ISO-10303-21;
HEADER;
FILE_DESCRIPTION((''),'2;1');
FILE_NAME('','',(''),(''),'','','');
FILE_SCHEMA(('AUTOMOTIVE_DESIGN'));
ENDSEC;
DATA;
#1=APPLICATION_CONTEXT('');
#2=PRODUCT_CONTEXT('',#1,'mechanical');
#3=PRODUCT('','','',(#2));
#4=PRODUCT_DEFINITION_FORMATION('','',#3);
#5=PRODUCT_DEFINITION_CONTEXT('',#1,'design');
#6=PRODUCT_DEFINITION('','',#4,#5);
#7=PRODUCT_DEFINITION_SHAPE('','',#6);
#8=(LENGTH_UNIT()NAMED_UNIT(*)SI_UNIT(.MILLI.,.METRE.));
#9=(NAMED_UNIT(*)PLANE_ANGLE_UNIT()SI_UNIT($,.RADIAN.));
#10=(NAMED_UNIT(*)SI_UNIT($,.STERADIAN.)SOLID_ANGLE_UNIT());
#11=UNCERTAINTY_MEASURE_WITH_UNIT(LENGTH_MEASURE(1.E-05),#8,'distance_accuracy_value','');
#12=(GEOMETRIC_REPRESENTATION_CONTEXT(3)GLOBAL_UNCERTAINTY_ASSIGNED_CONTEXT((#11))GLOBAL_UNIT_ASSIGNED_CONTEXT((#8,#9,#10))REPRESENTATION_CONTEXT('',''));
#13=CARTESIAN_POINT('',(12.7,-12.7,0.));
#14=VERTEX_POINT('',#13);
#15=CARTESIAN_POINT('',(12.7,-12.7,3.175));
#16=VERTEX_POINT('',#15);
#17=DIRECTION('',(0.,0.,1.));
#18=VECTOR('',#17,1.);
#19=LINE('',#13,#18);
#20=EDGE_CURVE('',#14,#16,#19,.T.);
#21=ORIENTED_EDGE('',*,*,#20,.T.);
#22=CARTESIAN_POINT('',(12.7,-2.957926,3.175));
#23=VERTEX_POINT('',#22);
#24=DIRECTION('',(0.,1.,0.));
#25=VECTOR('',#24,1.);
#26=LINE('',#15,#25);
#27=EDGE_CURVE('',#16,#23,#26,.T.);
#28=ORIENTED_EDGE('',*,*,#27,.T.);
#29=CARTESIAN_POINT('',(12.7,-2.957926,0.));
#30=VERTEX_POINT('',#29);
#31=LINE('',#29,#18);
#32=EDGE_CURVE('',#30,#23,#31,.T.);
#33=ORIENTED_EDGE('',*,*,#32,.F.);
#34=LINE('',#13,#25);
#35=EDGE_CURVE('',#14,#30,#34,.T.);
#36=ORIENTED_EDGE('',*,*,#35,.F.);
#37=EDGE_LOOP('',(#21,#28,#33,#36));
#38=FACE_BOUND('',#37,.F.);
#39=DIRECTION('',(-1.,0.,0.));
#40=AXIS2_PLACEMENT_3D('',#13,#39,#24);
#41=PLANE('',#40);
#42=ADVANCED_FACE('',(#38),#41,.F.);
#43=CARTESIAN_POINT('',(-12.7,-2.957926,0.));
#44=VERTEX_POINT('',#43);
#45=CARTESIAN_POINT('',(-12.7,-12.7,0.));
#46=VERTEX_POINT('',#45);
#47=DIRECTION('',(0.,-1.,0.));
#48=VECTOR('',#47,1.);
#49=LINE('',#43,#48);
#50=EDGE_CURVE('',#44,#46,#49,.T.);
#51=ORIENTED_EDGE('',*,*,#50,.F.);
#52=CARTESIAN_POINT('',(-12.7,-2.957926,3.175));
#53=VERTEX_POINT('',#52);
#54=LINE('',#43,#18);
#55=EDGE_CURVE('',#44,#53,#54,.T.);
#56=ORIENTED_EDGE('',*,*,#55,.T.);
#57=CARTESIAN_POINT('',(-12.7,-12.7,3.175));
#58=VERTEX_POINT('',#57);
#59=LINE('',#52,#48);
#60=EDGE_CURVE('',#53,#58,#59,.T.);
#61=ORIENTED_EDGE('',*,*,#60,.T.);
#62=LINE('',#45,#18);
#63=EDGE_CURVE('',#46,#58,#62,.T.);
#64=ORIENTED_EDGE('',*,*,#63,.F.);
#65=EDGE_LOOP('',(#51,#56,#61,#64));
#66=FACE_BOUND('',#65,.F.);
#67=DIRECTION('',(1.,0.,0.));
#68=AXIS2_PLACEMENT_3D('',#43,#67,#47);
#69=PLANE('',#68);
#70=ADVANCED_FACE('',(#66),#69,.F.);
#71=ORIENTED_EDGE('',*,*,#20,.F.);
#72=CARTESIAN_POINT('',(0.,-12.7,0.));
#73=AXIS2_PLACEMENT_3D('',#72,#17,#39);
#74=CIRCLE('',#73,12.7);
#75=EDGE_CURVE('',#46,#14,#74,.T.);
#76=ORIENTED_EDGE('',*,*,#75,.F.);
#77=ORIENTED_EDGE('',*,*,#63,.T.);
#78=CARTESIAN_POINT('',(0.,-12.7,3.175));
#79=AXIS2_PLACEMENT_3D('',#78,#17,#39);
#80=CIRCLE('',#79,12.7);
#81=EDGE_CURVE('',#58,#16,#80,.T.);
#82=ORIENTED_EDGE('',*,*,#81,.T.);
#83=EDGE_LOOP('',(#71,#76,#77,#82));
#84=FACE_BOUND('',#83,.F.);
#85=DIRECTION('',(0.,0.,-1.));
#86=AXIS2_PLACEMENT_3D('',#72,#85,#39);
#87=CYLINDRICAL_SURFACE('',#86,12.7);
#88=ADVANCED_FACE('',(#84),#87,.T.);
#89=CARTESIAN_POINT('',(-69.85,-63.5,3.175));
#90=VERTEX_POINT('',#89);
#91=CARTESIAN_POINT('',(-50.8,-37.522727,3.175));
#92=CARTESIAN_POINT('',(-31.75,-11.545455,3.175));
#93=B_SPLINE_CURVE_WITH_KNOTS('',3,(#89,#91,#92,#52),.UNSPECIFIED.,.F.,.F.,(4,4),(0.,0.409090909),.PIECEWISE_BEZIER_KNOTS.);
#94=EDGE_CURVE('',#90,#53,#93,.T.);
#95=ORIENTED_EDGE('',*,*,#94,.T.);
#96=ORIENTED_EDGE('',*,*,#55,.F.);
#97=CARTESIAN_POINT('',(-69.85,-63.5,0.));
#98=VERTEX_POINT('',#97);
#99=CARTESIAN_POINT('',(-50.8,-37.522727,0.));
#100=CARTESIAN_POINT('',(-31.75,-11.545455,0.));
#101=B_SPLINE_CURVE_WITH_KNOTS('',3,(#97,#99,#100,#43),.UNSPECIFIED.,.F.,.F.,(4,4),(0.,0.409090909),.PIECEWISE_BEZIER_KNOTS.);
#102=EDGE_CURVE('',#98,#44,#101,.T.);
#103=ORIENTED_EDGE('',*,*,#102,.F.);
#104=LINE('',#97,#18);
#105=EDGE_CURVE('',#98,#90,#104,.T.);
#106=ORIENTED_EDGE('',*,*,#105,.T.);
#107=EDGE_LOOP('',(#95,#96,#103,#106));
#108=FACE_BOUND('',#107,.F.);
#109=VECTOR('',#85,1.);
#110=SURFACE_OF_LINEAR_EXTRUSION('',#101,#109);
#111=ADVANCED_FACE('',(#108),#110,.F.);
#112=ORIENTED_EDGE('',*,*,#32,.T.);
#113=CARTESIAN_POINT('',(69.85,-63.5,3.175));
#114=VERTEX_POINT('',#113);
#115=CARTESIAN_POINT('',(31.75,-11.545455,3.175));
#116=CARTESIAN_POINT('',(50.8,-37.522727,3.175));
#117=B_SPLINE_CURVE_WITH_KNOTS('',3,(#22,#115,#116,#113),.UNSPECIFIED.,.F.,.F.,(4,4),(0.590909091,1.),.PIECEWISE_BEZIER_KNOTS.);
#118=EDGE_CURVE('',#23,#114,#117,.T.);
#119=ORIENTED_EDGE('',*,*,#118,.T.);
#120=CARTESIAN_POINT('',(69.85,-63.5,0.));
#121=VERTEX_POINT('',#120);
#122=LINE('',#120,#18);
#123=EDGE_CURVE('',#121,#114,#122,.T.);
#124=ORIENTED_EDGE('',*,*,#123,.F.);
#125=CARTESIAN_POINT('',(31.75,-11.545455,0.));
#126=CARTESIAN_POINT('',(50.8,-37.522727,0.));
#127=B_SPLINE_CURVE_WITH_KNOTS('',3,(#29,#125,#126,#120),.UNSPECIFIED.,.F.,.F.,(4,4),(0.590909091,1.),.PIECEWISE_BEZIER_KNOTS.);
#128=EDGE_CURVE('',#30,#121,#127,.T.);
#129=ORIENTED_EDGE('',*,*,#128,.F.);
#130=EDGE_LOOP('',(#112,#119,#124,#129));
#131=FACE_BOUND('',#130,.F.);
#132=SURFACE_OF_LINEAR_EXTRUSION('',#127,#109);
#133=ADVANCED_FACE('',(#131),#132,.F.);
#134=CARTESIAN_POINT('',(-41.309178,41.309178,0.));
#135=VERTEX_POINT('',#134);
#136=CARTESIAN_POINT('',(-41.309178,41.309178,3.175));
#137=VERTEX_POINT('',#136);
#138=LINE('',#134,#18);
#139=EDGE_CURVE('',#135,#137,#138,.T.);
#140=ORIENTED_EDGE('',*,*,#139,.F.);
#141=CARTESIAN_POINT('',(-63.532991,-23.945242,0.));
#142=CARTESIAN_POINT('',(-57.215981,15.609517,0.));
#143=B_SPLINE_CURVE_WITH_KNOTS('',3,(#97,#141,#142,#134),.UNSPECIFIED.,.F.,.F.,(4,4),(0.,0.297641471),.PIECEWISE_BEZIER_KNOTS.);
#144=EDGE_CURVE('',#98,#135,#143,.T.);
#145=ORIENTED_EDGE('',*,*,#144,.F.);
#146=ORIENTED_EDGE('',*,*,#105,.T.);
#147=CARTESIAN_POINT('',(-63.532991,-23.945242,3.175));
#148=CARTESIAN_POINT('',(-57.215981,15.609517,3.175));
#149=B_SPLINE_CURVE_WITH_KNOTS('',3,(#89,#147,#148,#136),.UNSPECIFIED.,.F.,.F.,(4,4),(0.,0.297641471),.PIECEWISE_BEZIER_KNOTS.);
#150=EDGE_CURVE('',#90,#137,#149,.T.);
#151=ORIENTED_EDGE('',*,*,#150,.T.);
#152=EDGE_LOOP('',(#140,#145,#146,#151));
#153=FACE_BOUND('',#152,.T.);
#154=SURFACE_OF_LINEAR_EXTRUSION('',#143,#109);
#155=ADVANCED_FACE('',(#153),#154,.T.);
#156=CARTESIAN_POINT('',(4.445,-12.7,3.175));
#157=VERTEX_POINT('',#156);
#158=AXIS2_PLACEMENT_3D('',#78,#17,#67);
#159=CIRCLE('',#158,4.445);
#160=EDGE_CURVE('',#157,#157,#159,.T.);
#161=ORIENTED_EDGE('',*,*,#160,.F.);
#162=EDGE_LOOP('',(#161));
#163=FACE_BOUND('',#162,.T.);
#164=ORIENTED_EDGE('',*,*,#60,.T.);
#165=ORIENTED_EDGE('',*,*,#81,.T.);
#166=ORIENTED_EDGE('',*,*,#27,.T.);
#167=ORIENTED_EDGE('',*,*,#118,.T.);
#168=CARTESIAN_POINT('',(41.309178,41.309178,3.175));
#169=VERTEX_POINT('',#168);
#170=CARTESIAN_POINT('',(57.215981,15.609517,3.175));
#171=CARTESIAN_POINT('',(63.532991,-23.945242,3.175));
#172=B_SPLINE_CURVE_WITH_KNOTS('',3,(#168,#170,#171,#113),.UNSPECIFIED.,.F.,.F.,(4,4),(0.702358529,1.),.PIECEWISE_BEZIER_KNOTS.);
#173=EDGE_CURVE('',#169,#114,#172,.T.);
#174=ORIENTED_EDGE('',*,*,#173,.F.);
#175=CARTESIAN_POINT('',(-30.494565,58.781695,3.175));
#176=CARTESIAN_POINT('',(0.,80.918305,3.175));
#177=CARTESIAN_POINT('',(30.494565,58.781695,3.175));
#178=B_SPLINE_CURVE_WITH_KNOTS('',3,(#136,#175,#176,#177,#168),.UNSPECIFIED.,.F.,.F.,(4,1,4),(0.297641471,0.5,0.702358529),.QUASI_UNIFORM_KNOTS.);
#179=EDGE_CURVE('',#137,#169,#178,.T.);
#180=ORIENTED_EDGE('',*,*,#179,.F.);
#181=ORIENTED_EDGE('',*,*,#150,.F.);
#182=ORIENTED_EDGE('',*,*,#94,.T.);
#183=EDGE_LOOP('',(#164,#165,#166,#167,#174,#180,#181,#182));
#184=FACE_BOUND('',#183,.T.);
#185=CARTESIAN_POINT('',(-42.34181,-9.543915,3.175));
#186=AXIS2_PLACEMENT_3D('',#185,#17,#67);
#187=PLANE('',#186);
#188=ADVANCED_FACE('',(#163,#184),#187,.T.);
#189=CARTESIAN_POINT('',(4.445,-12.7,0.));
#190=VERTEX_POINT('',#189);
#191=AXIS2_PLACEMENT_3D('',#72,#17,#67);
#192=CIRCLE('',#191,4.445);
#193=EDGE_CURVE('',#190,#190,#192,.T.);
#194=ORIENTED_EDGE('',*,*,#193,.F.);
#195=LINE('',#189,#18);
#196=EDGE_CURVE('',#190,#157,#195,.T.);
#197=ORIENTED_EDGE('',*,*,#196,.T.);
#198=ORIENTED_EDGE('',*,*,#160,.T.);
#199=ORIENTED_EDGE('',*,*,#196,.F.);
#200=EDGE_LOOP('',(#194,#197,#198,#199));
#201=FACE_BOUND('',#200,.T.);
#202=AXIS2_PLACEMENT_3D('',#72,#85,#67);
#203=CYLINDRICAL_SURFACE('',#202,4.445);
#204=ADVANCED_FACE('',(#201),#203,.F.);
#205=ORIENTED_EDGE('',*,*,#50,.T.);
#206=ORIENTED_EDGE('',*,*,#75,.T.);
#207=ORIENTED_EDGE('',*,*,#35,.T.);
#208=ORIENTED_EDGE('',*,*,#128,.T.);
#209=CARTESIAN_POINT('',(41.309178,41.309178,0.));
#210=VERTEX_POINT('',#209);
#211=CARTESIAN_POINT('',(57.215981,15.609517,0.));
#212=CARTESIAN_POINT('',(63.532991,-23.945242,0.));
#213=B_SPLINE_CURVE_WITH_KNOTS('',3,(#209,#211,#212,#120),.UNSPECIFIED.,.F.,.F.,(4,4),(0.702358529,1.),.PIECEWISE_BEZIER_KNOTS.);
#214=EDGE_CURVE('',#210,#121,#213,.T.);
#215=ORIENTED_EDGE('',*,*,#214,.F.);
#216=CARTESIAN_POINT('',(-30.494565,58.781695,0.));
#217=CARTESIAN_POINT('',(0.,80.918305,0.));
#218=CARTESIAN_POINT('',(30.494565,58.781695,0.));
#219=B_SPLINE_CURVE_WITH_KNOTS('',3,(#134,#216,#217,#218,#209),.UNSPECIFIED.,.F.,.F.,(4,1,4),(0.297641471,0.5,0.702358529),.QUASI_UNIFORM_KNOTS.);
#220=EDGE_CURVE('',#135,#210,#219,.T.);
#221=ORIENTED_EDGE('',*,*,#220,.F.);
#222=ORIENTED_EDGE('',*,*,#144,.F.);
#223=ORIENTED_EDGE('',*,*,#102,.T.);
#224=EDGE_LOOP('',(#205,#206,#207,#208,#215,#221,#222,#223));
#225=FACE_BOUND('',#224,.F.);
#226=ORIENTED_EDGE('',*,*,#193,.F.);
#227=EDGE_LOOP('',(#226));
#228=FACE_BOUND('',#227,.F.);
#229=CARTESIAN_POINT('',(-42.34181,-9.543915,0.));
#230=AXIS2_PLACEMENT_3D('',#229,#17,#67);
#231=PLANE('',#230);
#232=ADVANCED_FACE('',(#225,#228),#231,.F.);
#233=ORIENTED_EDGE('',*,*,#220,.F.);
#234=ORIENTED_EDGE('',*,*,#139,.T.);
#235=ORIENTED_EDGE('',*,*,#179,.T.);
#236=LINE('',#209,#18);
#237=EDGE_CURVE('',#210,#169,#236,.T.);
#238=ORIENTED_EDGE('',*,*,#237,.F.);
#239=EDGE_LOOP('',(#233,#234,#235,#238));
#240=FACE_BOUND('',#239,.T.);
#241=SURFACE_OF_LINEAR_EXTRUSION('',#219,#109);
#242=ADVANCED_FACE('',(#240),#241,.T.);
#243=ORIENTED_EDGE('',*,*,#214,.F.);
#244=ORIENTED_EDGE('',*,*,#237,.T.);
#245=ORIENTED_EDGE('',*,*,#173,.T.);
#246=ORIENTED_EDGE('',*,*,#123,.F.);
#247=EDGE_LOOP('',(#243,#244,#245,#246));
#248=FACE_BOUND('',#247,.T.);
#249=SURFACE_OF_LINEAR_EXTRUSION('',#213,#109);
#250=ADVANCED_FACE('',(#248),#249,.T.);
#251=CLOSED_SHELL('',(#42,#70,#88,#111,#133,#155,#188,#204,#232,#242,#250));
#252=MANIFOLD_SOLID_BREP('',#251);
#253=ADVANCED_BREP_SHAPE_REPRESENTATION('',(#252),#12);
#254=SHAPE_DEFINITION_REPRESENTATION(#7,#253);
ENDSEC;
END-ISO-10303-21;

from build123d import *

# Parameters (mm, degrees)
F0_R     = 4.445
F1_DEPTH = 3.175


with BuildPart() as f1:
    # F0 (on Top) → F1 (new body)
    with BuildSketch(Plane.XY):
        with BuildLine():
            Line((-12.7, 0), (0, 0))
            Line((0, 0), (-41.3091781569, 41.3091781569))
            add(Edge.make_bspline(
                [(-69.85, -63.5), (-63.532990554, -23.9452416108), (-57.215981108, 15.6095167784), (-41.3091781569, 41.3091781569)],
                knots=[0, 0, 0, 0, 0.2976414711, 0.2976414711, 0.2976414711, 0.2976414711], degree=3))
            add(Edge.make_bspline(
                [(-69.85, -63.5), (-50.8, -37.5227272727), (-31.75, -11.5454545454), (-12.7, -2.9579263711)],
                knots=[0, 0, 0, 0, 0.4090909091, 0.4090909091, 0.4090909091, 0.4090909091], degree=3))
            Line((-12.7, -2.9579263711), (-12.7, 0))
        make_face()
        with BuildLine():
            Line((-41.3091781569, 41.3091781569), (0, 0))
            Line((0, 0), (41.3091781569, 41.3091781569))
            add(Edge.make_bspline(
                [(-41.3091781569, 41.3091781569), (-30.4945654203, 58.7816951753), (0, 80.9183048247), (30.4945654203, 58.7816951753), (41.3091781569, 41.3091781569)],
                knots=[0.2976414711, 0.2976414711, 0.2976414711, 0.2976414711, 0.5, 0.7023585289, 0.7023585289, 0.7023585289, 0.7023585289], degree=3))
        make_face()
        with BuildLine():
            Line((41.3091781569, 41.3091781569), (0, 0))
            Line((0, 0), (12.7, 0))
            Line((12.7, 0), (12.7, -2.9579263711))
            add(Edge.make_bspline(
                [(12.7, -2.9579263711), (31.75, -11.5454545454), (50.8, -37.5227272727), (69.85, -63.5)],
                knots=[0.5909090909, 0.5909090909, 0.5909090909, 0.5909090909, 1, 1, 1, 1], degree=3))
            add(Edge.make_bspline(
                [(41.3091781569, 41.3091781569), (57.215981108, 15.6095167784), (63.532990554, -23.9452416108), (69.85, -63.5)],
                knots=[0.7023585289, 0.7023585289, 0.7023585289, 0.7023585289, 1, 1, 1, 1], degree=3))
        make_face()
        with BuildLine():
            Line((12.7, 0), (0, 0))
            add(Edge.make_bspline(
                [(0, 0), (4.2333333333, 0), (8.4666666667, -1.0495867769), (12.7, -2.9579263711)],
                knots=[0.5, 0.5, 0.5, 0.5, 0.5909090909, 0.5909090909, 0.5909090909, 0.5909090909], degree=3))
            Line((12.7, -2.9579263711), (12.7, 0))
        make_face()
        with BuildLine():
            add(Edge.make_bspline(
                [(-12.7, -2.9579263711), (-8.4666666667, -1.0495867769), (-4.2333333333, 0), (0, 0)],
                knots=[0.4090909091, 0.4090909091, 0.4090909091, 0.4090909091, 0.5, 0.5, 0.5, 0.5], degree=3))
            Line((0, 0), (-12.7, 0))
            Line((-12.7, 0), (-12.7, -2.9579263711))
        make_face()
        with BuildLine():
            add(Edge.make_bspline(
                [(0, 0), (4.2333333333, 0), (8.4666666667, -1.0495867769), (12.7, -2.9579263711)],
                knots=[0.5, 0.5, 0.5, 0.5, 0.5909090909, 0.5909090909, 0.5909090909, 0.5909090909], degree=3))
            add(Edge.make_bspline(
                [(-12.7, -2.9579263711), (-8.4666666667, -1.0495867769), (-4.2333333333, 0), (0, 0)],
                knots=[0.4090909091, 0.4090909091, 0.4090909091, 0.4090909091, 0.5, 0.5, 0.5, 0.5], degree=3))
            Line((-12.7, -2.9579263711), (-12.7, -12.7))
            ThreePointArc((-12.7, -12.7), (0, -25.4), (12.7, -12.7))
            Line((12.7, -12.7), (12.7, -2.9579263711))
        make_face()
        with Locations((0, -12.7)):
            Circle(F0_R, mode=Mode.SUBTRACT)
    extrude(amount=F1_DEPTH)


solid = f1.part
